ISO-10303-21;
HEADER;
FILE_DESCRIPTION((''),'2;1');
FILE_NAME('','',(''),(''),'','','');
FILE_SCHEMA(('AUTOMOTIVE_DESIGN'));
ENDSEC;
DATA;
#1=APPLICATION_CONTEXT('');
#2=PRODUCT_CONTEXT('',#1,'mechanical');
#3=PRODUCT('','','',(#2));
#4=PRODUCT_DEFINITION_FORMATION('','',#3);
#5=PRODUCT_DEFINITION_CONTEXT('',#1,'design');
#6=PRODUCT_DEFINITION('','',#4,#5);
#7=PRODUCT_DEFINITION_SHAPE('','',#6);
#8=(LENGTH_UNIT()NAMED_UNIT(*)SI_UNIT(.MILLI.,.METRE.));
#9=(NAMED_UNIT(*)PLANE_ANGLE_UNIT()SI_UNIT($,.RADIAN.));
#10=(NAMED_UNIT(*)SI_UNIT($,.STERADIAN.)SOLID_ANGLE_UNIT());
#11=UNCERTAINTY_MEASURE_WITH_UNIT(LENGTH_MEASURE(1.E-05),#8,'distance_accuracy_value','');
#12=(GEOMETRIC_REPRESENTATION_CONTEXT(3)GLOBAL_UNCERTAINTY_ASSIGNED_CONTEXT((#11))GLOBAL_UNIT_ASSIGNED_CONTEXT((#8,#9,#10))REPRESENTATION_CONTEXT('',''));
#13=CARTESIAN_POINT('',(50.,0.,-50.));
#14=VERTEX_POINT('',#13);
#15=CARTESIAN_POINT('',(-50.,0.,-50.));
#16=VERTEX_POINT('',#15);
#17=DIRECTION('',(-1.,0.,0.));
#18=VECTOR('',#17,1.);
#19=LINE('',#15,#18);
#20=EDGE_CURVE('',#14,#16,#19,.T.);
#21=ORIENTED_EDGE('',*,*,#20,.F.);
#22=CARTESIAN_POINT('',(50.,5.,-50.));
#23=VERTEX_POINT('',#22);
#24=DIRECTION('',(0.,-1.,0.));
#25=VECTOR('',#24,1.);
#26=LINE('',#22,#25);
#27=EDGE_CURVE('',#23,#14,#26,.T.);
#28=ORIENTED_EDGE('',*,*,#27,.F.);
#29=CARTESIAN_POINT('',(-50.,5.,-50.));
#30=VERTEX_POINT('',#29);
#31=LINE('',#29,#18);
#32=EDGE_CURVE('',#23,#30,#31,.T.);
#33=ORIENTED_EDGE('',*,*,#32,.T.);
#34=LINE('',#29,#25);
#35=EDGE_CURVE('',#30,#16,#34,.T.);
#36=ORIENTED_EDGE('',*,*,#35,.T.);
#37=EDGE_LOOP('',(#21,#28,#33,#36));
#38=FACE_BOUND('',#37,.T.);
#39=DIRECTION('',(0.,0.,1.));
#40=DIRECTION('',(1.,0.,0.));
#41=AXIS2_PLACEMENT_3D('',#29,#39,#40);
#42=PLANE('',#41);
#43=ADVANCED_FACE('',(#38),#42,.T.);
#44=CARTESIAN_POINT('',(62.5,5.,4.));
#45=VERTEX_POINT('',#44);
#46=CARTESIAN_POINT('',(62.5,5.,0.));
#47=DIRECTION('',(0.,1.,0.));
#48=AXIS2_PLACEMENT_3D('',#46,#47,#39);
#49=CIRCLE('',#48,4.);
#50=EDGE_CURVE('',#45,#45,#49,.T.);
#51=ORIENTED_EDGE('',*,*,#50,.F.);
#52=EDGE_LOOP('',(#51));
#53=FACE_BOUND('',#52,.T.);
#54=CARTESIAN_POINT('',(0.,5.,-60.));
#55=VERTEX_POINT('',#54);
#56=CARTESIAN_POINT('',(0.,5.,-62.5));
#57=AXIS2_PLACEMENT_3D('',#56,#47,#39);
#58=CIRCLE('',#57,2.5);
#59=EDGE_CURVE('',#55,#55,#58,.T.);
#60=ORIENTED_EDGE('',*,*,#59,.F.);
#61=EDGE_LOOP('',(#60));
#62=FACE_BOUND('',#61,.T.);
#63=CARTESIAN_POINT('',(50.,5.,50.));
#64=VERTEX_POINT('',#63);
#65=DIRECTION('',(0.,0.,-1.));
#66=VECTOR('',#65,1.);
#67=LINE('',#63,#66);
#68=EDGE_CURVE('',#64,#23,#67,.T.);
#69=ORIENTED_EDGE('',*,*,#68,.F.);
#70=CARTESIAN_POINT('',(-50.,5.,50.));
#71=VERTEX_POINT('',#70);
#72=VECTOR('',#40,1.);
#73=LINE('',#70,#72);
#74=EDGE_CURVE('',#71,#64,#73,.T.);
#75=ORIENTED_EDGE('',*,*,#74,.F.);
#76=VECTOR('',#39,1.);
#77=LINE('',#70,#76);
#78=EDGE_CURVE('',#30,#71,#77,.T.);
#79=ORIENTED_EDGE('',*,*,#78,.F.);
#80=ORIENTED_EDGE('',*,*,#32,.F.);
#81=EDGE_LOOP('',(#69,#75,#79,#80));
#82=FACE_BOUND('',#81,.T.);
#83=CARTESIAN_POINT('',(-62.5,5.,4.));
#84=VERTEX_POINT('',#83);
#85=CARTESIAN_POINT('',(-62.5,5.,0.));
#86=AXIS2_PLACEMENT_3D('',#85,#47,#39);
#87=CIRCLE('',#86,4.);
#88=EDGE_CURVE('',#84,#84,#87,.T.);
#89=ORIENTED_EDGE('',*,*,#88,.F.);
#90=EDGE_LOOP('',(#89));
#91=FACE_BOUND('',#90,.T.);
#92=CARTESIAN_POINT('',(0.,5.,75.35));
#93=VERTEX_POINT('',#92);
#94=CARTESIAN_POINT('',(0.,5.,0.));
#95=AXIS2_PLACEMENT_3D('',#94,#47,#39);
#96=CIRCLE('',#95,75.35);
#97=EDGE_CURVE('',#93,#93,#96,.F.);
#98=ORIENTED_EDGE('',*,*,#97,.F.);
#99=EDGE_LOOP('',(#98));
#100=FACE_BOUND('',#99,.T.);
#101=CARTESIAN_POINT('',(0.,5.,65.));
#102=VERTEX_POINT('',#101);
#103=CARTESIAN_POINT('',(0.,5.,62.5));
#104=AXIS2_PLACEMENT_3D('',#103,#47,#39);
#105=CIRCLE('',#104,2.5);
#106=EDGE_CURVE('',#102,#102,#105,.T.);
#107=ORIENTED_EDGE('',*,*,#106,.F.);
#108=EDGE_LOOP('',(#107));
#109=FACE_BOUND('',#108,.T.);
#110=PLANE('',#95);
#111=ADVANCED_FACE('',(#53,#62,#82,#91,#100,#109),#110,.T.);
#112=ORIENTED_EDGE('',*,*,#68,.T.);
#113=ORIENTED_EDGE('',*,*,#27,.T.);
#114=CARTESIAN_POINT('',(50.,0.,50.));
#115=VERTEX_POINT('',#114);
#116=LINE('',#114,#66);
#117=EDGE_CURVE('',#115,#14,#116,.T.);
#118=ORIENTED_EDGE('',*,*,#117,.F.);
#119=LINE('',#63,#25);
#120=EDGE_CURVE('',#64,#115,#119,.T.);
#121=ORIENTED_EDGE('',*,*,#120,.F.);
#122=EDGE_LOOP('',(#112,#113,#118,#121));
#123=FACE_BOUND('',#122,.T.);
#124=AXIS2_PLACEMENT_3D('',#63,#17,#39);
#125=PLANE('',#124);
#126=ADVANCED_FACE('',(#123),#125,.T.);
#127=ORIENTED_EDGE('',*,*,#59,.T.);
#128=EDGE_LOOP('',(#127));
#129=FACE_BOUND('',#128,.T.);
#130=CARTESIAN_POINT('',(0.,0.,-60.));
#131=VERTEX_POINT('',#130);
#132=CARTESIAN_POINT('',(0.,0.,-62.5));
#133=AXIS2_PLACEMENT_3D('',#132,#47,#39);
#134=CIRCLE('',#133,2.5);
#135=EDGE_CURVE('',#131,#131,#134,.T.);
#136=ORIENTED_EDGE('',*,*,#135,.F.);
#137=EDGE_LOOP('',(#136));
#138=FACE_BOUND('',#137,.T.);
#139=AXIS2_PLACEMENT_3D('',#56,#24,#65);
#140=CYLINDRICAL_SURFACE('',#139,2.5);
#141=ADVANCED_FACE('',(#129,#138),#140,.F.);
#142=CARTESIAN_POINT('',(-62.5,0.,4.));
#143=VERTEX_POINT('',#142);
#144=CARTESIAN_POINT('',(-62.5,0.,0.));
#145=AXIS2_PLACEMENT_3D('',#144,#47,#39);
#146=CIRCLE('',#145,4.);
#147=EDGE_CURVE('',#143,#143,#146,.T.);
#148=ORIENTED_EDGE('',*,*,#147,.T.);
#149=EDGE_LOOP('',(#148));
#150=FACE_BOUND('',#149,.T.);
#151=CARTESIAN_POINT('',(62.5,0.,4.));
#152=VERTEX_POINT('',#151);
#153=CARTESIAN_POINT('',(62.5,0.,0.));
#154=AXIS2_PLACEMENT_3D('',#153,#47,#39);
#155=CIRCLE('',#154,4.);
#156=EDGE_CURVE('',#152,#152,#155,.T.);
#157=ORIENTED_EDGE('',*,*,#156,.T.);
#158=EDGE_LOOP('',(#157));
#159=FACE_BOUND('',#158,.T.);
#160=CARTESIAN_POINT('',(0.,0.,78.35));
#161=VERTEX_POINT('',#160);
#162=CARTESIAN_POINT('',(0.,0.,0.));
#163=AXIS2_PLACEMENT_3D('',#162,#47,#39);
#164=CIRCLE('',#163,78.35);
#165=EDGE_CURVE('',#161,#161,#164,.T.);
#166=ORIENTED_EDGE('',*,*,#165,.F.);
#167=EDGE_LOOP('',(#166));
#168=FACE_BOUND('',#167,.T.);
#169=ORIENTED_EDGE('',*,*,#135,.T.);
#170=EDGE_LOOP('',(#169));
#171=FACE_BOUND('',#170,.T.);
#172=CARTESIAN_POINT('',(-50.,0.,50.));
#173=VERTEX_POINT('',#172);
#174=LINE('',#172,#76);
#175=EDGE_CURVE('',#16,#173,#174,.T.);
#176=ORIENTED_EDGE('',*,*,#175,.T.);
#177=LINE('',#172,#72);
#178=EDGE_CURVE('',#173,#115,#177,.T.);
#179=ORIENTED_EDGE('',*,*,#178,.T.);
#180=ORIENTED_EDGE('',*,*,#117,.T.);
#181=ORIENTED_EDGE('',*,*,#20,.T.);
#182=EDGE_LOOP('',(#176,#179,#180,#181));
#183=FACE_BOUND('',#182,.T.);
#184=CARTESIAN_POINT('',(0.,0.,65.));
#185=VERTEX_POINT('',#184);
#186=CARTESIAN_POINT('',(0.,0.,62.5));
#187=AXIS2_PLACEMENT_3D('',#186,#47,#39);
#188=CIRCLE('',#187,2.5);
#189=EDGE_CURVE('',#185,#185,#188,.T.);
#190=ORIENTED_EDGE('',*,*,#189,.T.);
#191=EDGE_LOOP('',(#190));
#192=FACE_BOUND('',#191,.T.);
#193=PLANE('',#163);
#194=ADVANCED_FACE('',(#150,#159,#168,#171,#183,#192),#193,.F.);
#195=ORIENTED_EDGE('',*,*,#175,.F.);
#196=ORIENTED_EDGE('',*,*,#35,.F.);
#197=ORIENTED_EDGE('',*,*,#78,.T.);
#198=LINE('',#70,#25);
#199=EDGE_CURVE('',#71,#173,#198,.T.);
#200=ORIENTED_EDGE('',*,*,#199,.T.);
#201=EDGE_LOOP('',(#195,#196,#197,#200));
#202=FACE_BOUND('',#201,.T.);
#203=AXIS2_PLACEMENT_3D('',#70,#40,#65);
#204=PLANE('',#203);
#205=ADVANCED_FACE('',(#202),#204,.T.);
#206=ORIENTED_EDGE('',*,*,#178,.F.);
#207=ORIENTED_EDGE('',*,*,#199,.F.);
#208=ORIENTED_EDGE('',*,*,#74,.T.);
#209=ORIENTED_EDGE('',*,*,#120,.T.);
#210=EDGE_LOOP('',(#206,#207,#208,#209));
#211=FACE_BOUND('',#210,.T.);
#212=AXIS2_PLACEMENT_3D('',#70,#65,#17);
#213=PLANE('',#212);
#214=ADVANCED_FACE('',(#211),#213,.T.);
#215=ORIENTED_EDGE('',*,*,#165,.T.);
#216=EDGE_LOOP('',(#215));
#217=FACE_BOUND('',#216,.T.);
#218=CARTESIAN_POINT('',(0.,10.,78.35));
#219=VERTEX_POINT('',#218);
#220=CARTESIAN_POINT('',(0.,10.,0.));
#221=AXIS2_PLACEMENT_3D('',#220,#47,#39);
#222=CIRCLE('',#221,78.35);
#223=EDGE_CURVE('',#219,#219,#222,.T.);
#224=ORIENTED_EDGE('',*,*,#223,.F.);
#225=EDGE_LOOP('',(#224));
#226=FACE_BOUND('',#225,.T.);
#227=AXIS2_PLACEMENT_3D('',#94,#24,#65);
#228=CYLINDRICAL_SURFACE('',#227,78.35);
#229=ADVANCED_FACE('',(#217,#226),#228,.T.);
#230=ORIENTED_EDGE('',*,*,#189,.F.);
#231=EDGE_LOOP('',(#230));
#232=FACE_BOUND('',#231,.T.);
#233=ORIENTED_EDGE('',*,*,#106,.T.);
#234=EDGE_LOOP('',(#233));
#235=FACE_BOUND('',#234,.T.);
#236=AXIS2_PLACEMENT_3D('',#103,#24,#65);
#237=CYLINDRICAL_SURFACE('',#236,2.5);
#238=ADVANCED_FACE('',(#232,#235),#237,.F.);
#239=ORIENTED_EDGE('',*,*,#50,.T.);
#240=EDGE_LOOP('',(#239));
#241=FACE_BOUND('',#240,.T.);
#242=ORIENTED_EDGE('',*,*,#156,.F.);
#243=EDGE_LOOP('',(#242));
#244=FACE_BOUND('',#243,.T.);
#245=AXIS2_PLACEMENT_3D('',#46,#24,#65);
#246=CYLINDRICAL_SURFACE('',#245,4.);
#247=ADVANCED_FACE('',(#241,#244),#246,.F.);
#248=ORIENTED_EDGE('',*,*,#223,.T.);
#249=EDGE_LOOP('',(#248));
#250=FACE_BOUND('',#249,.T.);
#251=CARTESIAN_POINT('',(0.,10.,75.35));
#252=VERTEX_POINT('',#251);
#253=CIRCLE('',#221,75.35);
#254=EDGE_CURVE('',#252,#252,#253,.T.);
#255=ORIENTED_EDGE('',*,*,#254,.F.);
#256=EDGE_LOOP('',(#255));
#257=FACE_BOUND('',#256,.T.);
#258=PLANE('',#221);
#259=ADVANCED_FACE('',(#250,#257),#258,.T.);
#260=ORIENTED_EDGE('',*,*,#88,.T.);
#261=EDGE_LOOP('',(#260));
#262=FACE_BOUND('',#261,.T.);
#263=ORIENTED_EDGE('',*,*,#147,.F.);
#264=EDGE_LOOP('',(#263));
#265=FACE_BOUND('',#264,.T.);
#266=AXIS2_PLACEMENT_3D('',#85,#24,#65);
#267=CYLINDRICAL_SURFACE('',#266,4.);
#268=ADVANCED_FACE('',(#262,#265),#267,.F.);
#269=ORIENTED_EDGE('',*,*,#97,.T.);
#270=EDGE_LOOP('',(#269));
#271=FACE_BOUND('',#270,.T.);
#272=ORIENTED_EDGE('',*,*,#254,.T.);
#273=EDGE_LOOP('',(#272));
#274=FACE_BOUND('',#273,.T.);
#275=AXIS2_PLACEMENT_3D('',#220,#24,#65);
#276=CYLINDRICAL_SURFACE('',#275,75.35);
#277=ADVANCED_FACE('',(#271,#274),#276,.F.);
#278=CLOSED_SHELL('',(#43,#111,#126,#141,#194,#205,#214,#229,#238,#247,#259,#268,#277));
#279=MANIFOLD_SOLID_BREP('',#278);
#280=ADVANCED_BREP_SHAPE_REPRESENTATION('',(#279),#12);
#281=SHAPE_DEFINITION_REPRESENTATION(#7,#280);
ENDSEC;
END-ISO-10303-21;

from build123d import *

# Parameters (mm, degrees)
SKETCH1_R           = 78.35
SKETCH1_R_2         = 4
SKETCH1_R_3         = 2.5
SKETCH1_W           = 100
SKETCH1_H           = 100
BOSS_EXTRUDE1_DEPTH = 5
SKETCH2_R           = 78.35
SKETCH2_R_2         = 75.35
BOSS_EXTRUDE2_DEPTH = 5


with BuildPart() as part:
    # Sketch1 → Boss-Extrude1 (new body)
    with BuildSketch(Plane(origin=(0, 0, 0), x_dir=(1, 0, 0), z_dir=(0, 1, 0))):
        with Locations(Location((0, 0, 0), (0, 0, 270))):
            Circle(SKETCH1_R)
        with Locations(Location((-62.5, 0, 0), (0, 0, 270))):
            Circle(SKETCH1_R_2, mode=Mode.SUBTRACT)
        with Locations(Location((62.5, 0, 0), (0, 0, 270))):
            Circle(SKETCH1_R_2, mode=Mode.SUBTRACT)
        with Locations(Location((0, 62.5, 0), (0, 0, 270))):
            Circle(SKETCH1_R_3, mode=Mode.SUBTRACT)
        with Locations(Location((0, -62.5, 0), (0, 0, 270))):
            Circle(SKETCH1_R_3, mode=Mode.SUBTRACT)
        Rectangle(SKETCH1_W, SKETCH1_H, mode=Mode.SUBTRACT)
    extrude(amount=BOSS_EXTRUDE1_DEPTH)

    # Sketch2 → Boss-Extrude2 (add)
    with BuildSketch(Plane(origin=(0, 5, 0), x_dir=(1, 0, 0), z_dir=(0, 1, 0))):
        with Locations(Location((0, 0, 0), (0, 0, 270))):
            Circle(SKETCH2_R)
        with Locations(Location((0, 0, 0), (0, 0, 270))):
            Circle(SKETCH2_R_2, mode=Mode.SUBTRACT)
    extrude(amount=BOSS_EXTRUDE2_DEPTH)


solid = part.part
